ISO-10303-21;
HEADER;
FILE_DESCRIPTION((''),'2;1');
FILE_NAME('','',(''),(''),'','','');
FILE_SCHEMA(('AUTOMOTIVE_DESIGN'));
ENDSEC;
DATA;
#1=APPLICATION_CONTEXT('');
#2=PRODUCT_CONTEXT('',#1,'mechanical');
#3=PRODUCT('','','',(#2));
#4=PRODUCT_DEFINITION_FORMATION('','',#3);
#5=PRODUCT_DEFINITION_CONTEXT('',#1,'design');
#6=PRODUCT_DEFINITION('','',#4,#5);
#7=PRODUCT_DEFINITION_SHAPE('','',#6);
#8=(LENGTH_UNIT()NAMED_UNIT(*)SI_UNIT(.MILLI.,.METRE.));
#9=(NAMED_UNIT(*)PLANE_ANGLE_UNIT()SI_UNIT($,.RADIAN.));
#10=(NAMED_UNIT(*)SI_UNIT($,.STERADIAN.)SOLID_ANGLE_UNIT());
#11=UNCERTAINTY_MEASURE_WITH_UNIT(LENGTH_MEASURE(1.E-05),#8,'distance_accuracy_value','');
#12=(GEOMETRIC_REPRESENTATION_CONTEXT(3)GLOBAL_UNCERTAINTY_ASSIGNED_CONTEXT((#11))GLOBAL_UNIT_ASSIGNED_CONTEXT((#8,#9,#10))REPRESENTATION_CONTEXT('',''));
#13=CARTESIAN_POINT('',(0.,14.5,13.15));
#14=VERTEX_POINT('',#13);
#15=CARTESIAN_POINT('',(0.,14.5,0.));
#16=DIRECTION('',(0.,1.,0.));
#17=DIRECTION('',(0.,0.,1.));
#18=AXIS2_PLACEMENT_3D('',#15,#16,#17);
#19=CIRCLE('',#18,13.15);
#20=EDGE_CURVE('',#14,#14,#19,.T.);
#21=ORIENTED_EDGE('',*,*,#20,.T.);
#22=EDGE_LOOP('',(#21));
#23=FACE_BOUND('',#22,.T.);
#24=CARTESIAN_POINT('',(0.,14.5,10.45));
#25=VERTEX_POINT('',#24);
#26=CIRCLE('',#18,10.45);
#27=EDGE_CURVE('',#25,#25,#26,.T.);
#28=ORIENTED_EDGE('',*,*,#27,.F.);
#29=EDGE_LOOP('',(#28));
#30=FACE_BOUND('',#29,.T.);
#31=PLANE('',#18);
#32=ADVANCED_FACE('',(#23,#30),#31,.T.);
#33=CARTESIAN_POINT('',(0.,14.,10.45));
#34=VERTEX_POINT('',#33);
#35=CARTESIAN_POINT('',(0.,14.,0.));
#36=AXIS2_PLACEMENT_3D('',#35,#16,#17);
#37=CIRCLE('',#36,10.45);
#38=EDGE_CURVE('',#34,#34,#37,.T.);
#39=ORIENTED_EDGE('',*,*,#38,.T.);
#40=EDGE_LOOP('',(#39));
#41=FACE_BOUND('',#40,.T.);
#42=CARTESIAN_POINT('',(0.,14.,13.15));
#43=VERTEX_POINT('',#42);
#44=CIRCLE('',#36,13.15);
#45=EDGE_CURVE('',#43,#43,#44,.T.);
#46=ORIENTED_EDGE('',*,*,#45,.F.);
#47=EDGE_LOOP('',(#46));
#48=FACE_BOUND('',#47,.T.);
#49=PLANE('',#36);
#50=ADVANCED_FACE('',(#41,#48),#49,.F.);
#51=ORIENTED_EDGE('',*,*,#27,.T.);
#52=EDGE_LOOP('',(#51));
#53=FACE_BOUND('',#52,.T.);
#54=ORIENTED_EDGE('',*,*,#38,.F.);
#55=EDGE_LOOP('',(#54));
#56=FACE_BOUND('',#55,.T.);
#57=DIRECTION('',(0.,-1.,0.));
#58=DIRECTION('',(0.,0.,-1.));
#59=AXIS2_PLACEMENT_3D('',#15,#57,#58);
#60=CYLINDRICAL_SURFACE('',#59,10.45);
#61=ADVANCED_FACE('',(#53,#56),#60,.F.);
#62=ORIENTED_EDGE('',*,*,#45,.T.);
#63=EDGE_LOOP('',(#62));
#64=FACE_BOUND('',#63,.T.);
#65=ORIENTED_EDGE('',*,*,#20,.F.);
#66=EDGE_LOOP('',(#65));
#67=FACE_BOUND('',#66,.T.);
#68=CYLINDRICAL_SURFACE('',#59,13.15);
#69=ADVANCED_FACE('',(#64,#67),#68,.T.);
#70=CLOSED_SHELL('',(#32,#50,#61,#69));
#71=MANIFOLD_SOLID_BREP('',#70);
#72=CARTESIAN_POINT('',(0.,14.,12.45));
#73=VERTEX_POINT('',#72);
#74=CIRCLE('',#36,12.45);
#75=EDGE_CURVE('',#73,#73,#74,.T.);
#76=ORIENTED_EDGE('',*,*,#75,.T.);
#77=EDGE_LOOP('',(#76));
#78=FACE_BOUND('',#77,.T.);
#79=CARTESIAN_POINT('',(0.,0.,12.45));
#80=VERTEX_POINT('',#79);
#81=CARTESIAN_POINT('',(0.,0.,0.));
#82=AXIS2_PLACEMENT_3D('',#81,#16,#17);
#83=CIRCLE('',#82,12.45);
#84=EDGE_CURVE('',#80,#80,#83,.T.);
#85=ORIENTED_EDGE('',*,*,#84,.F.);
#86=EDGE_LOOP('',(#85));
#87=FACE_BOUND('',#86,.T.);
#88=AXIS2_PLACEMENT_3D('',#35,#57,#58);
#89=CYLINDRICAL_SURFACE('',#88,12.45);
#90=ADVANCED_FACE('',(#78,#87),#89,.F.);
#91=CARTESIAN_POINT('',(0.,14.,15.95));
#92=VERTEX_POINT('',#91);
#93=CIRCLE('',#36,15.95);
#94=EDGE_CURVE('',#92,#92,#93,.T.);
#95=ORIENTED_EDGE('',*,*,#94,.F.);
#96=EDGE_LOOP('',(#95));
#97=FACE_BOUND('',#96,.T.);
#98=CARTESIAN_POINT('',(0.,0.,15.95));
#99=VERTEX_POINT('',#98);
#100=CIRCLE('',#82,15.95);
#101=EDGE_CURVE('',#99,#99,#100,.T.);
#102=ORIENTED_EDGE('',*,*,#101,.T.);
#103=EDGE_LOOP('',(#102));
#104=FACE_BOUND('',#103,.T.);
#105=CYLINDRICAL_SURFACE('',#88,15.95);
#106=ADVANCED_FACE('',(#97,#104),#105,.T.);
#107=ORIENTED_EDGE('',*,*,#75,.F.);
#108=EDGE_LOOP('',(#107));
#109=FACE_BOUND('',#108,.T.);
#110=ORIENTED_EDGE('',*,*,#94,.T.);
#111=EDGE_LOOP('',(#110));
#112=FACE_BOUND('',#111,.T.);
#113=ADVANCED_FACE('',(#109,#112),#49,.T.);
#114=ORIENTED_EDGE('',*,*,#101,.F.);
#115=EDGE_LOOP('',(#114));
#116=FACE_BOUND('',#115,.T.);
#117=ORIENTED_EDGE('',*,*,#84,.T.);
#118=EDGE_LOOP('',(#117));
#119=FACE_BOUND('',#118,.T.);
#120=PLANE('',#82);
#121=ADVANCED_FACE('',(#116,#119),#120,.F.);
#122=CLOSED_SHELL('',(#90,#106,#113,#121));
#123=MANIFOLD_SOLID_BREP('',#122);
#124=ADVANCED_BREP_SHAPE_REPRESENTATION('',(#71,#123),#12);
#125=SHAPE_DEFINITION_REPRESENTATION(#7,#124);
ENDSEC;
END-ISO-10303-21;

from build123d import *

# Parameters (mm, degrees)
SKETCH2_R           = 15.95
SKETCH2_R_2         = 12.45
BOSS_EXTRUDE1_DEPTH = 14
SKETCH3_R           = 13.15
SKETCH3_R_2         = 12.45
SKETCH3_R_3         = 10.45
BOSS_EXTRUDE2_DEPTH = 0.5


with BuildPart() as part:
    # Sketch2 → Boss-Extrude1 (new body)
    with BuildSketch(Plane(origin=(0, 0, 0), x_dir=(1, 0, 0), z_dir=(0, 1, 0))):
        with Locations(Location((0, 0, 0), (0, 0, 270))):
            Circle(SKETCH2_R)
        with Locations(Location((0, 0, 0), (0, 0, 270))):
            Circle(SKETCH2_R_2, mode=Mode.SUBTRACT)
    extrude(amount=BOSS_EXTRUDE1_DEPTH)


with BuildPart() as body_2:
    # Sketch3 → Boss-Extrude2 (new body)
    with BuildSketch(Plane(origin=(0, 14, 0), x_dir=(1, 0, 0), z_dir=(0, 1, 0))):
        with Locations(Location((0, 0, 0), (0, 0, 270))):
            Circle(SKETCH3_R)
        with Locations(Location((0, 0, 0), (0, 0, 270))):
            Circle(SKETCH3_R_2, mode=Mode.SUBTRACT)
        with Locations(Location((0, 0, 0), (0, 0, 270))):
            Circle(SKETCH3_R_2)
        with Locations(Location((0, 0, 0), (0, 0, 270))):
            Circle(SKETCH3_R_3, mode=Mode.SUBTRACT)
    extrude(amount=BOSS_EXTRUDE2_DEPTH)


solid = Compound([part.part, body_2.part])
